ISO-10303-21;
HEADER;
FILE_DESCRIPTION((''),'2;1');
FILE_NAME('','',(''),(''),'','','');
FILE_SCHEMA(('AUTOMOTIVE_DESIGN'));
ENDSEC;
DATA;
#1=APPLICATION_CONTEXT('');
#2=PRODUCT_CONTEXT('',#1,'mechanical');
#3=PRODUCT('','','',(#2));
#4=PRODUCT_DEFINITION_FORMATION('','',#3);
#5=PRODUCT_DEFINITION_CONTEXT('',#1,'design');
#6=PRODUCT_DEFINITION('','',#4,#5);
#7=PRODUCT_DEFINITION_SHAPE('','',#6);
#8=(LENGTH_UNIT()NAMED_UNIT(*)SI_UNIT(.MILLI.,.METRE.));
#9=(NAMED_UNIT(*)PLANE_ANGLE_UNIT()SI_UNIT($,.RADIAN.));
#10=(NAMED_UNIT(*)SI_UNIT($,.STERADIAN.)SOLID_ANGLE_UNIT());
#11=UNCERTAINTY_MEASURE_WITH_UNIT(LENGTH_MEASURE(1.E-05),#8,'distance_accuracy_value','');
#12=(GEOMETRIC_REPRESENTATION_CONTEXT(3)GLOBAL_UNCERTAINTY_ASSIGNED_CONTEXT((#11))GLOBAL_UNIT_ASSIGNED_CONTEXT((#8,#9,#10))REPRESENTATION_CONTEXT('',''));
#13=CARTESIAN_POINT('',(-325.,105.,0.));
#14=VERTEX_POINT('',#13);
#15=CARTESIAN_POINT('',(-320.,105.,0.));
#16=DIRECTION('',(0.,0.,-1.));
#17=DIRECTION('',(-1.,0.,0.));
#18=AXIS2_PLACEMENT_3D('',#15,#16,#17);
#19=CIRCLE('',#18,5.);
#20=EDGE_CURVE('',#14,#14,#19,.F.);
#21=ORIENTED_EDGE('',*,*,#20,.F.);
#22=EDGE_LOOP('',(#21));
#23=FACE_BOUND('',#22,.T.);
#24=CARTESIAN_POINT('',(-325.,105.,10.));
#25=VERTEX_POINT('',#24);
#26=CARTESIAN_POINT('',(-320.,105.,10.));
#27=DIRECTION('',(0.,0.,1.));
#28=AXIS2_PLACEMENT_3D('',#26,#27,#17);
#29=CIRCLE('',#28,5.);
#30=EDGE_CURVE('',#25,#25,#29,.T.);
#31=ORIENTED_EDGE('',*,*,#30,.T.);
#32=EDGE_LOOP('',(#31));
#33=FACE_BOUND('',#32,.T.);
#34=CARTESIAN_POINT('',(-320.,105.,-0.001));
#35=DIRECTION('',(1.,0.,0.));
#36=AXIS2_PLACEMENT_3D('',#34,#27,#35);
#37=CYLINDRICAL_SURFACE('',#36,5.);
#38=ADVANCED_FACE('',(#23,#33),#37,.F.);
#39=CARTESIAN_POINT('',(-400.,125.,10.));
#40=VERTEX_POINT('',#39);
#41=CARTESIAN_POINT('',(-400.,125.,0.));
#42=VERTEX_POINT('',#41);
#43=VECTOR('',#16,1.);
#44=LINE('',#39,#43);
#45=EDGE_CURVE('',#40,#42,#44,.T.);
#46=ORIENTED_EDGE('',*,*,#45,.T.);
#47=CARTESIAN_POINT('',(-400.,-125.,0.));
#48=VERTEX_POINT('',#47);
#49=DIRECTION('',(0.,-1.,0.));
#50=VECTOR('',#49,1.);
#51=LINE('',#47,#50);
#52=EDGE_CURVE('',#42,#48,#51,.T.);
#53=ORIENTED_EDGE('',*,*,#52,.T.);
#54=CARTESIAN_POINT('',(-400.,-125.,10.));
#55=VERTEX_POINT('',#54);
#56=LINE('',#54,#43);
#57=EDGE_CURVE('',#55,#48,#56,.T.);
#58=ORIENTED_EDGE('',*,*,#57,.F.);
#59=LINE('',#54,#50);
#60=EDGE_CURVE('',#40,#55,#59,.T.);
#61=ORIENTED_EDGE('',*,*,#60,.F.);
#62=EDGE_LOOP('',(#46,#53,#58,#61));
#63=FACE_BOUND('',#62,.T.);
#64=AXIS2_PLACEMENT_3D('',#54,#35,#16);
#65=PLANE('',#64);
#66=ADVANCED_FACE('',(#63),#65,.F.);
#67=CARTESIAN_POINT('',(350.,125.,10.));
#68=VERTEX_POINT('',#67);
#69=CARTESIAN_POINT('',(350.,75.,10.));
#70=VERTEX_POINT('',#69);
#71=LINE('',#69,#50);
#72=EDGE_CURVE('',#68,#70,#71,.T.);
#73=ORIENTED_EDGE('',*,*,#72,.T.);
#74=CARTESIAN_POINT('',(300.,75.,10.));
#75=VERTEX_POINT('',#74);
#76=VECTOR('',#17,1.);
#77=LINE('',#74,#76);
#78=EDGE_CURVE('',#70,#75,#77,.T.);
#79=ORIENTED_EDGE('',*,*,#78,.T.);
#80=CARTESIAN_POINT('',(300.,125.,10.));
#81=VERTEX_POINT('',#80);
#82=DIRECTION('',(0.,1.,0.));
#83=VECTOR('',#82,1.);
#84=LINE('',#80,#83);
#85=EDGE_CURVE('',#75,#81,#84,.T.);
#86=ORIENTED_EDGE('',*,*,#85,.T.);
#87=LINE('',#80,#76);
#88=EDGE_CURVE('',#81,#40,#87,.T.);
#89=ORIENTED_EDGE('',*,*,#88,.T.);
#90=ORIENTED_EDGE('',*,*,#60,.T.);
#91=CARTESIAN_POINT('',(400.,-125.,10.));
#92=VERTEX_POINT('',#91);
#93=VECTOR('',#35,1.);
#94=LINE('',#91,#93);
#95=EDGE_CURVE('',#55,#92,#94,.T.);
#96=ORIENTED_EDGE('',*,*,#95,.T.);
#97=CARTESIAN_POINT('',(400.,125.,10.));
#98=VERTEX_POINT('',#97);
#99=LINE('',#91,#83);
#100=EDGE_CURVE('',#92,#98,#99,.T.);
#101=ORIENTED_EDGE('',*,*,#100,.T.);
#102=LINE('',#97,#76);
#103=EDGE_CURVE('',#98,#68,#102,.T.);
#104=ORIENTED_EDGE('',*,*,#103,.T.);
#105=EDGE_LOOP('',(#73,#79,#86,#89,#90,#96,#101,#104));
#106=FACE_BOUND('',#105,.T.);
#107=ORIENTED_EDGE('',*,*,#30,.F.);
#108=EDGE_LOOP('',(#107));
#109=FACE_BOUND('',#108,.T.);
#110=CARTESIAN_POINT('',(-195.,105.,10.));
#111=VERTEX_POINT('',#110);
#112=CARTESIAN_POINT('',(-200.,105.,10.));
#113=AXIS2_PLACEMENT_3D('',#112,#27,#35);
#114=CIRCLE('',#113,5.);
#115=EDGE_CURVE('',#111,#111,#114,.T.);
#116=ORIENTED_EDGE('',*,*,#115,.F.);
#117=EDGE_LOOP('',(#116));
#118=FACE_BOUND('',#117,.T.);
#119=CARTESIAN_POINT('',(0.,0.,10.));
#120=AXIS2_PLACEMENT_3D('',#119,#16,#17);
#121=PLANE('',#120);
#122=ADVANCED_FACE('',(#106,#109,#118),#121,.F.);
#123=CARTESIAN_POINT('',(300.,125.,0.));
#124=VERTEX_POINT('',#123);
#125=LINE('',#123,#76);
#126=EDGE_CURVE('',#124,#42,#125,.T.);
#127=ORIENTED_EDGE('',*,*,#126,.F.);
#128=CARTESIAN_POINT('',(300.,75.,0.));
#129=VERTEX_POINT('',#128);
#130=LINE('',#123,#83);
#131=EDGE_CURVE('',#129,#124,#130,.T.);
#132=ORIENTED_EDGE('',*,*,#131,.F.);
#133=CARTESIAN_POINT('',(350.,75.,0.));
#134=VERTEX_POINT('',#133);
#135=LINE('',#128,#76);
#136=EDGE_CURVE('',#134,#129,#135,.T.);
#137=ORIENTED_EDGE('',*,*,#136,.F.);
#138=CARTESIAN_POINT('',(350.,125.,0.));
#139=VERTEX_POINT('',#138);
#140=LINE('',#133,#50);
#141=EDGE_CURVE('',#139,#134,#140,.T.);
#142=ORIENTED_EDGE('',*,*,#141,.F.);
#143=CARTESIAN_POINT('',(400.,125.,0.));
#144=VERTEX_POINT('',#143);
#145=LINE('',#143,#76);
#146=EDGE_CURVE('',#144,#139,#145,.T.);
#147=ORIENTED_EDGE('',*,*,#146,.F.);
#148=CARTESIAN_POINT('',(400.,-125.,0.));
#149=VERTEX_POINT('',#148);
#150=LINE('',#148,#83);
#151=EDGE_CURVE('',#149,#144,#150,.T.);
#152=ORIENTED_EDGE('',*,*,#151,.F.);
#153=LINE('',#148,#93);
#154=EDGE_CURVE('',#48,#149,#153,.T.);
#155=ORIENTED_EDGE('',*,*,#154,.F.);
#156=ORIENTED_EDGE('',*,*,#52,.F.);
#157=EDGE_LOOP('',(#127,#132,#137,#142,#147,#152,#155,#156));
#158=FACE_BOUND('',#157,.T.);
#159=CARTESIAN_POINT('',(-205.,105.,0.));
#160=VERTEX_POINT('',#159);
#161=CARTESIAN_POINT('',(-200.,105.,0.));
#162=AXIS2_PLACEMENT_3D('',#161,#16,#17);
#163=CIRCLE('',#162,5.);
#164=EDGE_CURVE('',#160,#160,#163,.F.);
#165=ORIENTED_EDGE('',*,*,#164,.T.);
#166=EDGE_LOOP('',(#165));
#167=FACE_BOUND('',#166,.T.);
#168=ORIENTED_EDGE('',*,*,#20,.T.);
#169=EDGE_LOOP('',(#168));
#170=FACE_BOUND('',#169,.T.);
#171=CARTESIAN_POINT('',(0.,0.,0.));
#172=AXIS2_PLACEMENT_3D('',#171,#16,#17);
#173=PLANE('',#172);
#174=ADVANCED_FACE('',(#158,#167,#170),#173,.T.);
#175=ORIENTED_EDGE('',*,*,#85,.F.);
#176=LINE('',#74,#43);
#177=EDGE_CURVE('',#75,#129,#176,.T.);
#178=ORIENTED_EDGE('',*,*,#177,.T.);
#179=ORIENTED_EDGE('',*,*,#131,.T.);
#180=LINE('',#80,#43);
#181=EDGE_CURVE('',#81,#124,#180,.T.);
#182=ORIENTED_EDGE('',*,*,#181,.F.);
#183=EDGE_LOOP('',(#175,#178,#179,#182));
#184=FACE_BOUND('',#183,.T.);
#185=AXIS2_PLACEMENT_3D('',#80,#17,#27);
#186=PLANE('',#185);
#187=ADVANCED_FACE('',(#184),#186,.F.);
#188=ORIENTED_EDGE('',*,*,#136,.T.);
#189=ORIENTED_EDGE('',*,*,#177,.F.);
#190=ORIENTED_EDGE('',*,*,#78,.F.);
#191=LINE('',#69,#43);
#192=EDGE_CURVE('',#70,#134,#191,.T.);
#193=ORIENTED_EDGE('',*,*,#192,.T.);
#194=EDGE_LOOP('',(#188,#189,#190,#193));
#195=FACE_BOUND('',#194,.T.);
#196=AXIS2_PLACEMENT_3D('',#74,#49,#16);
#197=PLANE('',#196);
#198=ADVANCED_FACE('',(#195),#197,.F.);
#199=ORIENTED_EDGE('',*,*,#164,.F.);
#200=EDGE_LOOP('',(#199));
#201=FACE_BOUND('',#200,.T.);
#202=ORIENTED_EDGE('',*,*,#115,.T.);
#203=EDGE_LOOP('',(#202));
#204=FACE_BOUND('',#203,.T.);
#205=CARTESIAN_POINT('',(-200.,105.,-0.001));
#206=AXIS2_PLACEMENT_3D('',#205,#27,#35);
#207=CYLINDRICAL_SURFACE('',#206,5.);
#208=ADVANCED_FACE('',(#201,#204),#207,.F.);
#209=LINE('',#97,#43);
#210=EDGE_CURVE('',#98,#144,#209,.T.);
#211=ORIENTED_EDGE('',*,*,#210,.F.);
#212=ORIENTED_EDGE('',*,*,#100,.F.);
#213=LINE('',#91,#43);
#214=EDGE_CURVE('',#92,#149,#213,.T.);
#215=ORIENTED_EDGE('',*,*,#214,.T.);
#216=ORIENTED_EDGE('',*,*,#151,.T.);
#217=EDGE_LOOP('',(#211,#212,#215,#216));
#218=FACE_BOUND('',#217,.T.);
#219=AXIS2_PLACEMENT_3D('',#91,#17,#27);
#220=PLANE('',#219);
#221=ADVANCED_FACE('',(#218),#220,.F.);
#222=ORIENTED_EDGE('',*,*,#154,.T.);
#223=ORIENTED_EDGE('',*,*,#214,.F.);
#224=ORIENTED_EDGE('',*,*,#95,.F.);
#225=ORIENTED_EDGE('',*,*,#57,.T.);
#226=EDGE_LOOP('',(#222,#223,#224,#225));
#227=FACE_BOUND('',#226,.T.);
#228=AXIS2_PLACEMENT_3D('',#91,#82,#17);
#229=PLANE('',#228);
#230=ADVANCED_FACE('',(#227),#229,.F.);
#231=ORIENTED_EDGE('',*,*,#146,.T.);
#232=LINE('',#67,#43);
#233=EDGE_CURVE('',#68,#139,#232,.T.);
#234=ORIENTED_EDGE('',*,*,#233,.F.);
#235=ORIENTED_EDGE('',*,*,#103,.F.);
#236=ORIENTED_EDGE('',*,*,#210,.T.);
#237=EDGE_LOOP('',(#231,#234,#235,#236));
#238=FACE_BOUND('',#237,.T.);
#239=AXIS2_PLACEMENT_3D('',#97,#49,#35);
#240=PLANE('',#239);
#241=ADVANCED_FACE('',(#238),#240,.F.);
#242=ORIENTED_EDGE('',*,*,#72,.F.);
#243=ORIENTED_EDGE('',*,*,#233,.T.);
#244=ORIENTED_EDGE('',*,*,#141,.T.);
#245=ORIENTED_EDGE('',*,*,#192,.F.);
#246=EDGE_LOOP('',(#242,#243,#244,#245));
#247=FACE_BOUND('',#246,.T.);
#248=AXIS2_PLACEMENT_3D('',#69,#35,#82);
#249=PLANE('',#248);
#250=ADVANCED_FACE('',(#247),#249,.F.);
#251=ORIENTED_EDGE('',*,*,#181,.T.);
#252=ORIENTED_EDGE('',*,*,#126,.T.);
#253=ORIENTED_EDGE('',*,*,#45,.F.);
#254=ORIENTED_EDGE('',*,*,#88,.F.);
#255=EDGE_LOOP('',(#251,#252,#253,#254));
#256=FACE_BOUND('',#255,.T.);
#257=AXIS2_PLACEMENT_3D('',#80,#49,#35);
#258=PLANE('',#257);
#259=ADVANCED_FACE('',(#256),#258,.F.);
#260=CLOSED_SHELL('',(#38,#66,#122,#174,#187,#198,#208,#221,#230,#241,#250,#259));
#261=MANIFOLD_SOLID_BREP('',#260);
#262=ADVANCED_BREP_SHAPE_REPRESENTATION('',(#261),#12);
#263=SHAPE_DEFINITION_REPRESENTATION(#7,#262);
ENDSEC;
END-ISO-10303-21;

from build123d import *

# Parameters (mm, degrees)
BOSS_EXTRUDE1_DEPTH = 10
CUT_EXTRUDE1_REACH  = 421.196
SKETCH3_R           = 5


with BuildPart() as part:
    # Sketch1 → Boss-Extrude1 (new body)
    with BuildSketch(Plane.XY):
        Polygon((300, 125), (300, 75), (350, 75), (350, 125), (400, 125), (400, -125), (-400, -125), (-400, 125), align=None)
    extrude(amount=BOSS_EXTRUDE1_DEPTH)

    # Sketch3 → Cut-Extrude1 (cut, up to next)
    with BuildSketch(Plane.XY.offset(10), mode=Mode.PRIVATE) as cut_extrude1_sk1:
        with Locations((-200, 105)):
            Circle(SKETCH3_R)
    cut_extrude1_tool1 = extrude(cut_extrude1_sk1.sketch, amount=-CUT_EXTRUDE1_REACH, mode=Mode.PRIVATE) & part.part
    # Sketch3 → Cut-Extrude1 (cut, up to next)
    with BuildSketch(Plane.XY.offset(10), mode=Mode.PRIVATE) as cut_extrude1_sk2:
        with Locations(Location((-320, 105, 0), (0, 0, 180))):
            Circle(SKETCH3_R)
    cut_extrude1_tool2 = extrude(cut_extrude1_sk2.sketch, amount=-CUT_EXTRUDE1_REACH, mode=Mode.PRIVATE) & part.part
    add(cut_extrude1_tool1.solids().sort_by_distance((-200, 105, 10))[0], mode=Mode.SUBTRACT)
    add(cut_extrude1_tool2.solids().sort_by_distance((-320, 105, 10))[0], mode=Mode.SUBTRACT)


solid = part.part
